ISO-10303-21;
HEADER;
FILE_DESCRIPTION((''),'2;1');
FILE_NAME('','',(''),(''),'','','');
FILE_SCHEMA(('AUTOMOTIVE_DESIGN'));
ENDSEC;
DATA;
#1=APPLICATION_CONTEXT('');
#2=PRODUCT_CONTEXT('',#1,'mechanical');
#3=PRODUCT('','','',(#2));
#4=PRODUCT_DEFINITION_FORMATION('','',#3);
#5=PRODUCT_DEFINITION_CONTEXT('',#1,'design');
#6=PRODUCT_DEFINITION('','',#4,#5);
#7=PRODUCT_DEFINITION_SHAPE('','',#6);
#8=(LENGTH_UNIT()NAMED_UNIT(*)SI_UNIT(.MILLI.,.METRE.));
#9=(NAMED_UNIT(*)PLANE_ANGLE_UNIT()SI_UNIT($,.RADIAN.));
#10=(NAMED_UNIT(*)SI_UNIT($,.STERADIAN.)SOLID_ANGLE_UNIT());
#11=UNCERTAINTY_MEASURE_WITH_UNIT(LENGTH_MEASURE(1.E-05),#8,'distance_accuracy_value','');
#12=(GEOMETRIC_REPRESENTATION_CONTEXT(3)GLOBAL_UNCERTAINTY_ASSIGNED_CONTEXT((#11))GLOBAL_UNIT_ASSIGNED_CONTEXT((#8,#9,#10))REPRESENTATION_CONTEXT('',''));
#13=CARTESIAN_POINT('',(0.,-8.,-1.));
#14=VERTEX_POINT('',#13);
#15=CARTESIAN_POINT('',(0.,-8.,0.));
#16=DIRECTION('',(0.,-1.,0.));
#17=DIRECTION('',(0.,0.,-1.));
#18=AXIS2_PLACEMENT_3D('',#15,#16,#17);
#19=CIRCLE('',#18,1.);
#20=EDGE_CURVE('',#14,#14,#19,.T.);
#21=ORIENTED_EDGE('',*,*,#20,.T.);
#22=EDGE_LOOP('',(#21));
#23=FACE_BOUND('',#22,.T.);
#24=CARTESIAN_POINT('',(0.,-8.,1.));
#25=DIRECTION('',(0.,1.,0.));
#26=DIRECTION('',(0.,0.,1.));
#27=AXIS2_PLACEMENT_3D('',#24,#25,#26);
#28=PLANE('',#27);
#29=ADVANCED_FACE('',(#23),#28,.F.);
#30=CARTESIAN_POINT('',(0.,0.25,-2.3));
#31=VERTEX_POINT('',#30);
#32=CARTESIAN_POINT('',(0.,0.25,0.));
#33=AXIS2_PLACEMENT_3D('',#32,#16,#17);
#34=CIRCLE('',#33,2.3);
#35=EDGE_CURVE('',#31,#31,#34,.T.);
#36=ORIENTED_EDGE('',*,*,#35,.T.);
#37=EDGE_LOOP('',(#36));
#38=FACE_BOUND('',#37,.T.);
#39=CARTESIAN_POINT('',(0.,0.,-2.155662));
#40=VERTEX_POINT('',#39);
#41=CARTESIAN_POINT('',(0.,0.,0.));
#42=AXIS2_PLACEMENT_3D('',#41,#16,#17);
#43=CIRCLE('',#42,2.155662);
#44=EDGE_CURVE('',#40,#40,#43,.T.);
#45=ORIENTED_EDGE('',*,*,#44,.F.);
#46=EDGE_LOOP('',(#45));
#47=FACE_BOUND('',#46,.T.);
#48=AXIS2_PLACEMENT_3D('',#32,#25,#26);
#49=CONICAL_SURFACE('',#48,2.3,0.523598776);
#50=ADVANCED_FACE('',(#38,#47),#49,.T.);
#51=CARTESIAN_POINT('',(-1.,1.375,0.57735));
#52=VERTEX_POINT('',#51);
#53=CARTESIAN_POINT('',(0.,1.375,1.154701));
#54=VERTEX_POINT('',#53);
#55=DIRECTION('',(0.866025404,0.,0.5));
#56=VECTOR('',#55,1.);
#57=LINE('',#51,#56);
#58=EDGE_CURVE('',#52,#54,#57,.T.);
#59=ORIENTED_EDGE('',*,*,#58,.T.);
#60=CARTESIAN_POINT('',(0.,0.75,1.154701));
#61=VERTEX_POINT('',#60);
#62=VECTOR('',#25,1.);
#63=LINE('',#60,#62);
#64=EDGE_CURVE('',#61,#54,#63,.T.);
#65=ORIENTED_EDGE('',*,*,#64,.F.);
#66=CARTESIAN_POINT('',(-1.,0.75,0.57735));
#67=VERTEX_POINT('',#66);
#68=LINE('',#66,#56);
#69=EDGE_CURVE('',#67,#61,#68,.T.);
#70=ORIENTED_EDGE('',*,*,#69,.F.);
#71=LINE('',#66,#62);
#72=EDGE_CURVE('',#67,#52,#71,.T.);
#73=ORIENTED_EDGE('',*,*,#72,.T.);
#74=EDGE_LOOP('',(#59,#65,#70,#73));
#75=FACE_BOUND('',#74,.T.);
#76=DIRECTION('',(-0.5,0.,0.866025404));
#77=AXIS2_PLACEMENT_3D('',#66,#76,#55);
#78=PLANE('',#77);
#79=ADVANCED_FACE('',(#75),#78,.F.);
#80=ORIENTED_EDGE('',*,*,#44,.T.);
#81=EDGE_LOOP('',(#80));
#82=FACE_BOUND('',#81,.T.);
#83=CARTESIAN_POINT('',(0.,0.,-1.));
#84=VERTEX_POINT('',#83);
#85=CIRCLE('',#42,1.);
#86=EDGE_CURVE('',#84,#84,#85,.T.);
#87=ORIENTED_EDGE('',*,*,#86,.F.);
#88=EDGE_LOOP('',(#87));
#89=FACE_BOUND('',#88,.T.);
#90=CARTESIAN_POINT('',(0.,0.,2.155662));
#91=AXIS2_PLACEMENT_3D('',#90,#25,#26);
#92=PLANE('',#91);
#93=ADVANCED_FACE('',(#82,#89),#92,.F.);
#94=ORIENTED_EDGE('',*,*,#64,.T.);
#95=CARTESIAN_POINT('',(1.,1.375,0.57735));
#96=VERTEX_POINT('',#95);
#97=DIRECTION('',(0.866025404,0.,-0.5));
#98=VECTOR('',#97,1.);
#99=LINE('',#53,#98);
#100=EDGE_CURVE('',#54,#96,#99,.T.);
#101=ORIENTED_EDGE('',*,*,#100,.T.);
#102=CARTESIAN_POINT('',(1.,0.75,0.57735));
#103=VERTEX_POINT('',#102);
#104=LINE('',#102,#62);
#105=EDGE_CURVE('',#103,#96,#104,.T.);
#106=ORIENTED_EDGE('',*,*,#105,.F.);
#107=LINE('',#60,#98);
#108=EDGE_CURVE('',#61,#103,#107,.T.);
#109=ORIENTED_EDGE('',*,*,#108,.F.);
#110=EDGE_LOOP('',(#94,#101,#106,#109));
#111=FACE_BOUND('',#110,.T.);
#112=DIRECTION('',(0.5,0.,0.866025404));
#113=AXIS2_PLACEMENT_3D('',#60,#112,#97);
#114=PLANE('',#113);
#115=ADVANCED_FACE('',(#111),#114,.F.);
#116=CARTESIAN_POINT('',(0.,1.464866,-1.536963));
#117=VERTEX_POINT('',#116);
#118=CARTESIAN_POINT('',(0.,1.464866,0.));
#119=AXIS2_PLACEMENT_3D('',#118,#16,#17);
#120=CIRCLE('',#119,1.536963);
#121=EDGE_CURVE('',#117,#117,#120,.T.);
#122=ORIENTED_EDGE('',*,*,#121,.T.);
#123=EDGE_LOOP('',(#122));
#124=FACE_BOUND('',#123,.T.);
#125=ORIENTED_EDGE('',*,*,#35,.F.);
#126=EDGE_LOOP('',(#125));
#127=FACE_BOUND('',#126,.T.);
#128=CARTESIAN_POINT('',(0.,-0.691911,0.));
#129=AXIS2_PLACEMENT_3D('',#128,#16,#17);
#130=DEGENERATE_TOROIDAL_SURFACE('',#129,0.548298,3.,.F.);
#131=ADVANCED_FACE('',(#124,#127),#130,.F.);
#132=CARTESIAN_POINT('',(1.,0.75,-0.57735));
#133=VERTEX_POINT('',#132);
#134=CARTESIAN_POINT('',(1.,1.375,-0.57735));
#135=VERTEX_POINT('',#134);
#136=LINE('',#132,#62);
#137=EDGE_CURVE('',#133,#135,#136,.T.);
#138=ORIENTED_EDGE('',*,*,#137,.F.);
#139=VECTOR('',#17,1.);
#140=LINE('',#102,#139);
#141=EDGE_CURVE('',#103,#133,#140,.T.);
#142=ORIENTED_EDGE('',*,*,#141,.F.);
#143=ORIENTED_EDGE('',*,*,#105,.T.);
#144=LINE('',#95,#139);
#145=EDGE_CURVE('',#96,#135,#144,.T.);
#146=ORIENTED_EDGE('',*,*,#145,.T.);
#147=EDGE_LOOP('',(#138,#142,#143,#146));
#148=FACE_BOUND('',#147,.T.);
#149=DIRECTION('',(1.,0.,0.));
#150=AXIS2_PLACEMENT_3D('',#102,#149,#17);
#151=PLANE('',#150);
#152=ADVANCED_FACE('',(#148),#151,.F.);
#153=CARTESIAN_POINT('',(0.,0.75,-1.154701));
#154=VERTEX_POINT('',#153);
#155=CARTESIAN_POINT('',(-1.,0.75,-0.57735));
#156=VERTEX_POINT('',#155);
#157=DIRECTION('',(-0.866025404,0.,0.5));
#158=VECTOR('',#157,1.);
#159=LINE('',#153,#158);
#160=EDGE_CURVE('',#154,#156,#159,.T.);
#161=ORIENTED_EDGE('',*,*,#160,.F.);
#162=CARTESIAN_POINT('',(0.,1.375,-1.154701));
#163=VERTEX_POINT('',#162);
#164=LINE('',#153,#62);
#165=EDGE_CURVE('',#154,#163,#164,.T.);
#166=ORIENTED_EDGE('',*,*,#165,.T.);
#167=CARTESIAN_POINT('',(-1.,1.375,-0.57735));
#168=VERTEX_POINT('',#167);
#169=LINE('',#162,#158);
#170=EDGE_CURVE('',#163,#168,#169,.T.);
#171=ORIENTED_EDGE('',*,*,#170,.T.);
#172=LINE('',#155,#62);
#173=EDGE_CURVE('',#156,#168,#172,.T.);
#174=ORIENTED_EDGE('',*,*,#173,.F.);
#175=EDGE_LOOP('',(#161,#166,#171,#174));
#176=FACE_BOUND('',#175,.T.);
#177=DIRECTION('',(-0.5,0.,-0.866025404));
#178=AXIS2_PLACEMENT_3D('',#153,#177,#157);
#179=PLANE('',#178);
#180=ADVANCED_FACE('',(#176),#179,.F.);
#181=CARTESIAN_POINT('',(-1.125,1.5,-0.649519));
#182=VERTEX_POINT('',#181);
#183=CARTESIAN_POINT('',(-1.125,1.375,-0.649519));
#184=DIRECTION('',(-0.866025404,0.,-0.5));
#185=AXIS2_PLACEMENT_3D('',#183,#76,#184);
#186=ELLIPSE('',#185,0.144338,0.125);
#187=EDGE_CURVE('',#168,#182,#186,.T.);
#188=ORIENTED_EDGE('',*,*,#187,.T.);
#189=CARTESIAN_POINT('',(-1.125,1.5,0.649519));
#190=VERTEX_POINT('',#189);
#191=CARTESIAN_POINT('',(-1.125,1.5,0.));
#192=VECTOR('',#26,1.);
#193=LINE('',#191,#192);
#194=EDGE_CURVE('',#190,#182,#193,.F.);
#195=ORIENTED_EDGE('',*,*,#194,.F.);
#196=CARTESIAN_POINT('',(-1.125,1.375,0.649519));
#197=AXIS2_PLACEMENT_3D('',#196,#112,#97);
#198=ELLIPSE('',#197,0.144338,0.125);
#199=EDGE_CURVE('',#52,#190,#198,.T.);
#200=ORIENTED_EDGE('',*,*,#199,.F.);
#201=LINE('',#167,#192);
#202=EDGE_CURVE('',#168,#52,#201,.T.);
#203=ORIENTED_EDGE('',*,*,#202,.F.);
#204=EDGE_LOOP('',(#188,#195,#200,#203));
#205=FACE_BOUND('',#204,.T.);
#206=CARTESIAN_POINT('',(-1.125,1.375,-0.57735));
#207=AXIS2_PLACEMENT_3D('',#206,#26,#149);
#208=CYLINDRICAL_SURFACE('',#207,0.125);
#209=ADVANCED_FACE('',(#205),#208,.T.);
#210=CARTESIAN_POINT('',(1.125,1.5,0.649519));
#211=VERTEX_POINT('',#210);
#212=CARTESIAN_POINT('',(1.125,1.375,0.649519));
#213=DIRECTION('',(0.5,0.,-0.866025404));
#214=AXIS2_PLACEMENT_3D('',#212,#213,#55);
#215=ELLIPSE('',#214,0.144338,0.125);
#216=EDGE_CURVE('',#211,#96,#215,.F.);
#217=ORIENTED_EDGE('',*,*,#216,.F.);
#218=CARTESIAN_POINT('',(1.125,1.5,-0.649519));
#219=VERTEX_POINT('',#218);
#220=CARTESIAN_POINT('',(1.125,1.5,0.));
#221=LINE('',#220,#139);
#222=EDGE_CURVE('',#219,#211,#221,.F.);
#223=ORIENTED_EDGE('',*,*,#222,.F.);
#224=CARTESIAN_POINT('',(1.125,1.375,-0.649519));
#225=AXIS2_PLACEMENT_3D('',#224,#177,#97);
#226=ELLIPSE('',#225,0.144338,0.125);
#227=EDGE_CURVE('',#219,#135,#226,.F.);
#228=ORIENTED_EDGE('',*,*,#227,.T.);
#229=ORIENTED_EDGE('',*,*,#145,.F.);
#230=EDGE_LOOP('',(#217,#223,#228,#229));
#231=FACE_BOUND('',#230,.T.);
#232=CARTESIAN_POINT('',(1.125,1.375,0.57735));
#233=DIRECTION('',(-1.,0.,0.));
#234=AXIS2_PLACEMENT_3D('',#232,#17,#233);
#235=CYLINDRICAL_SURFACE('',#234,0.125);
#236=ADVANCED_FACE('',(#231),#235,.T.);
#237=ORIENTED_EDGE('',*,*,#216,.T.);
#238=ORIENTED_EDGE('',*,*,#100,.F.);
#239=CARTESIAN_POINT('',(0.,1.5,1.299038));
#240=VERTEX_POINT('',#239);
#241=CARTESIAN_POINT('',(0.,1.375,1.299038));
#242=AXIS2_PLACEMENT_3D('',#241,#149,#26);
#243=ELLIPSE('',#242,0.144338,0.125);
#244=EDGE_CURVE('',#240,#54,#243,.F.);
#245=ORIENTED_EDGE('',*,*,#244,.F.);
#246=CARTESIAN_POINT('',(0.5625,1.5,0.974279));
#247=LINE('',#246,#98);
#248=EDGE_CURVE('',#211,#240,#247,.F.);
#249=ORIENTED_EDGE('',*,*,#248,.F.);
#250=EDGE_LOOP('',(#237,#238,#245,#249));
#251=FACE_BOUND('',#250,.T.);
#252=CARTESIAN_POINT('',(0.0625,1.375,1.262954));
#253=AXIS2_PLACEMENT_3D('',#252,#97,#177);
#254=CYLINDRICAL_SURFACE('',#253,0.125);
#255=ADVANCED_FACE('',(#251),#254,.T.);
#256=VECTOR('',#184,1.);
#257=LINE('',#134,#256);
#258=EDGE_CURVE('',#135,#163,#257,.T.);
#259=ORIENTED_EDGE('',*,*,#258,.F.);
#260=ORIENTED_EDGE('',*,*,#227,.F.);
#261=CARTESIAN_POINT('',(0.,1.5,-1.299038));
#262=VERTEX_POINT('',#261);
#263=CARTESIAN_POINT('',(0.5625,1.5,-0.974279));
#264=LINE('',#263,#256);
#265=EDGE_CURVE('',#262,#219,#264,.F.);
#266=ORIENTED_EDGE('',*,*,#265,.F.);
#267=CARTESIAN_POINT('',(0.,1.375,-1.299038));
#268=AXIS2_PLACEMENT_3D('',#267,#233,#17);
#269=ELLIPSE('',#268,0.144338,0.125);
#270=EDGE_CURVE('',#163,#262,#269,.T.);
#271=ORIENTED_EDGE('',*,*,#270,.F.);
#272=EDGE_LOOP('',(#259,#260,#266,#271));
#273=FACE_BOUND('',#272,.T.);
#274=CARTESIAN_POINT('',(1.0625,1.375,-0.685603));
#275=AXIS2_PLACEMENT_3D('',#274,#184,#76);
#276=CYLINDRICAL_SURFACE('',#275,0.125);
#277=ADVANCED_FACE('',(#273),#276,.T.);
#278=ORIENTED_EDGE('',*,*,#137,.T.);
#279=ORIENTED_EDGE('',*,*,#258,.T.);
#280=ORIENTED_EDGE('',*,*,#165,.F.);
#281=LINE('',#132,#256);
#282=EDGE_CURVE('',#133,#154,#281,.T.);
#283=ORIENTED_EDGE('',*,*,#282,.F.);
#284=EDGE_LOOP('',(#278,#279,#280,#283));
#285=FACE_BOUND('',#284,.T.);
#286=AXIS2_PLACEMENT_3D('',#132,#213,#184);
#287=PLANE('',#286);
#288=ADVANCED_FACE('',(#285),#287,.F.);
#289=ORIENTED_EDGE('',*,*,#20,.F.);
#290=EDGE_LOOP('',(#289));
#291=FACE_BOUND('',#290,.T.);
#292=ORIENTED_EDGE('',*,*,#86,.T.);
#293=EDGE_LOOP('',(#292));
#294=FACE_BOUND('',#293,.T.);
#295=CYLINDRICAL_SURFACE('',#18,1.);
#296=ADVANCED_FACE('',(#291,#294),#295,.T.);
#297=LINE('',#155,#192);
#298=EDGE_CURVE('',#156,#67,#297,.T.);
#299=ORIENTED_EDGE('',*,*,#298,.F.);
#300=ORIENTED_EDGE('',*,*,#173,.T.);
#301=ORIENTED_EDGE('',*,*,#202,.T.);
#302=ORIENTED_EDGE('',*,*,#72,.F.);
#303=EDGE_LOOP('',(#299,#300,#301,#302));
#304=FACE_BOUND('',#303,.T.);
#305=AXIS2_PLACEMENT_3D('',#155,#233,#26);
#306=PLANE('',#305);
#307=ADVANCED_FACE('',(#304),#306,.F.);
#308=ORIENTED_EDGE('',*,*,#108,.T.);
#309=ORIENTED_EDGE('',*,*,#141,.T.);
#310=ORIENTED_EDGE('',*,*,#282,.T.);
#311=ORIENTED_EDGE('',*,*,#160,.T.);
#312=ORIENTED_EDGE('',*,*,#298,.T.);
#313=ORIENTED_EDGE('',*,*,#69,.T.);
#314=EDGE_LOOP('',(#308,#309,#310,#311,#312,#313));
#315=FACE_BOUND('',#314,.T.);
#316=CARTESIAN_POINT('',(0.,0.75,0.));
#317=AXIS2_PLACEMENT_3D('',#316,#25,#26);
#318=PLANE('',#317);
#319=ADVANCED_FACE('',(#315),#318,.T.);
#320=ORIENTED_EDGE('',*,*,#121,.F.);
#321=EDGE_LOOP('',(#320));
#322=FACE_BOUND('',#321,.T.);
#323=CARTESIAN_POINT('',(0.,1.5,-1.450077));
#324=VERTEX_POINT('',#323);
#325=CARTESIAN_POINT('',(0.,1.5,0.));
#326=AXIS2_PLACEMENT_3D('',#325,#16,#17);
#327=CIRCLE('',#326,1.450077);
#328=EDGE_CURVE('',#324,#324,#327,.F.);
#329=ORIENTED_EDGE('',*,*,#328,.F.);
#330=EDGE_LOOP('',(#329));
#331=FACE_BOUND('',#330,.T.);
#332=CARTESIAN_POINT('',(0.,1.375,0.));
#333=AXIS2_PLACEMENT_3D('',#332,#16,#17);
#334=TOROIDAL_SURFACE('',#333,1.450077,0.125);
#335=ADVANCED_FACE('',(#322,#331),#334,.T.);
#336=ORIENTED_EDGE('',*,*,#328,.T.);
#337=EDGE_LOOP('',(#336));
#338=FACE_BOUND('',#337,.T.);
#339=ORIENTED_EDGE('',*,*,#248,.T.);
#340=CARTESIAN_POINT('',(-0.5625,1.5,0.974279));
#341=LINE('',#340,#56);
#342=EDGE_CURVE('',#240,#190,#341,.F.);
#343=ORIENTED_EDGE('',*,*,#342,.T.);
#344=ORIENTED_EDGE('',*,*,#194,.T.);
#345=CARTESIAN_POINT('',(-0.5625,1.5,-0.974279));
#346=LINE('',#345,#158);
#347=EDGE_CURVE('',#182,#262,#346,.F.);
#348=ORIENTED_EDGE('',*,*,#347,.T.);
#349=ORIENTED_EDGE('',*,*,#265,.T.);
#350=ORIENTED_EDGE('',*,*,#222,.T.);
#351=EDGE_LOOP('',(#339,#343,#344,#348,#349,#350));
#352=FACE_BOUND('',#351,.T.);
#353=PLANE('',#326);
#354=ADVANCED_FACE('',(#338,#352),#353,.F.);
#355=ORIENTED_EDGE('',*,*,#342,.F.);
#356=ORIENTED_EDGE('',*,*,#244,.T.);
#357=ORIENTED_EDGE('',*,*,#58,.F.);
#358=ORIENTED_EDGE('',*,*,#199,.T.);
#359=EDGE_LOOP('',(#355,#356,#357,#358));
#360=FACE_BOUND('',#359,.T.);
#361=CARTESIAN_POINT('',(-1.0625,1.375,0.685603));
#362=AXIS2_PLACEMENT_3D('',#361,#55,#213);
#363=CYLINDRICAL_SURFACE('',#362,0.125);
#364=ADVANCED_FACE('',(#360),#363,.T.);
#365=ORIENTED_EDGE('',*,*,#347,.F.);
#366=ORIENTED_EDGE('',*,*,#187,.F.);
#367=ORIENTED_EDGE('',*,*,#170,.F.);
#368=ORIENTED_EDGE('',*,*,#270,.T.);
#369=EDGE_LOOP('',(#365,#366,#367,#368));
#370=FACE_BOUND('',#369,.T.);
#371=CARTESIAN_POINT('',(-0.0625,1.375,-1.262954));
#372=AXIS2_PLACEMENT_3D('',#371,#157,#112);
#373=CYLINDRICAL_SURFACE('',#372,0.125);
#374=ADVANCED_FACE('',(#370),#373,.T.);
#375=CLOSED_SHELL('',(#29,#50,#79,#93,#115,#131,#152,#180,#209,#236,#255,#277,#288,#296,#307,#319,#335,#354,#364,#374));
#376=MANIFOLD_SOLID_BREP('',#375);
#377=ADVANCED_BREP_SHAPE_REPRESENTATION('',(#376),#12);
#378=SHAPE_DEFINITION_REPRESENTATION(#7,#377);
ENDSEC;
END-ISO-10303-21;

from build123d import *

# Parameters (mm, degrees)
CUT_EXTRUDE1_DEPTH = 0.75
FILLET1_R          = 0.125


with BuildPart() as part:
    # Sketch1 → Revolve1 (revolve)
    with BuildSketch(Plane(origin=(0, 0, 0), x_dir=(0, 0, -1), z_dir=(1, 0, 0))):
        with BuildLine():
            Line((0, 1.5), (-1.5, 1.5))
            ThreePointArc((-1.5, 1.5), (-1.978515811, 0.925250119), (-2.3, 0.25))
            Line((-2.3, 0.25), (-2.155662433, 0))
            Line((-2.155662433, 0), (-1, 0))
            Line((-1, 0), (-1, -8))
            Line((-1, -8), (0, -8))
            Line((0, -8), (0, 1.5))
        make_face()
    revolve(axis=Axis((0, -8, 0), (0, 1, 0)))

    # Sketch2 → Cut-Extrude1 (cut)
    with BuildSketch(Plane(origin=(0, 1.5, 0), x_dir=(1, 0, 0), z_dir=(0, 1, 0))):
        Polygon((0, 1.154700538), (-1, 0.577350269), (-1, -0.577350269), (0, -1.154700538), (1, -0.577350269), (1, 0.577350269), align=None)
    extrude(amount=-CUT_EXTRUDE1_DEPTH, mode=Mode.SUBTRACT)

    # Fillet1
    fillet1_edges = [part.edges().sort_by_distance(p)[0] for p in [
        (0.5, 1.5, -0.866025404),
        (-0.5, 1.5, -0.866025404),
        (-1, 1.5, 0),
        (-0.5, 1.5, 0.866025404),
        (0.5, 1.5, 0.866025404),
        (1, 1.5, 0),
        (0, 1.5, -1.5),
    ]]
    fillet(fillet1_edges, radius=FILLET1_R)


solid = part.part
